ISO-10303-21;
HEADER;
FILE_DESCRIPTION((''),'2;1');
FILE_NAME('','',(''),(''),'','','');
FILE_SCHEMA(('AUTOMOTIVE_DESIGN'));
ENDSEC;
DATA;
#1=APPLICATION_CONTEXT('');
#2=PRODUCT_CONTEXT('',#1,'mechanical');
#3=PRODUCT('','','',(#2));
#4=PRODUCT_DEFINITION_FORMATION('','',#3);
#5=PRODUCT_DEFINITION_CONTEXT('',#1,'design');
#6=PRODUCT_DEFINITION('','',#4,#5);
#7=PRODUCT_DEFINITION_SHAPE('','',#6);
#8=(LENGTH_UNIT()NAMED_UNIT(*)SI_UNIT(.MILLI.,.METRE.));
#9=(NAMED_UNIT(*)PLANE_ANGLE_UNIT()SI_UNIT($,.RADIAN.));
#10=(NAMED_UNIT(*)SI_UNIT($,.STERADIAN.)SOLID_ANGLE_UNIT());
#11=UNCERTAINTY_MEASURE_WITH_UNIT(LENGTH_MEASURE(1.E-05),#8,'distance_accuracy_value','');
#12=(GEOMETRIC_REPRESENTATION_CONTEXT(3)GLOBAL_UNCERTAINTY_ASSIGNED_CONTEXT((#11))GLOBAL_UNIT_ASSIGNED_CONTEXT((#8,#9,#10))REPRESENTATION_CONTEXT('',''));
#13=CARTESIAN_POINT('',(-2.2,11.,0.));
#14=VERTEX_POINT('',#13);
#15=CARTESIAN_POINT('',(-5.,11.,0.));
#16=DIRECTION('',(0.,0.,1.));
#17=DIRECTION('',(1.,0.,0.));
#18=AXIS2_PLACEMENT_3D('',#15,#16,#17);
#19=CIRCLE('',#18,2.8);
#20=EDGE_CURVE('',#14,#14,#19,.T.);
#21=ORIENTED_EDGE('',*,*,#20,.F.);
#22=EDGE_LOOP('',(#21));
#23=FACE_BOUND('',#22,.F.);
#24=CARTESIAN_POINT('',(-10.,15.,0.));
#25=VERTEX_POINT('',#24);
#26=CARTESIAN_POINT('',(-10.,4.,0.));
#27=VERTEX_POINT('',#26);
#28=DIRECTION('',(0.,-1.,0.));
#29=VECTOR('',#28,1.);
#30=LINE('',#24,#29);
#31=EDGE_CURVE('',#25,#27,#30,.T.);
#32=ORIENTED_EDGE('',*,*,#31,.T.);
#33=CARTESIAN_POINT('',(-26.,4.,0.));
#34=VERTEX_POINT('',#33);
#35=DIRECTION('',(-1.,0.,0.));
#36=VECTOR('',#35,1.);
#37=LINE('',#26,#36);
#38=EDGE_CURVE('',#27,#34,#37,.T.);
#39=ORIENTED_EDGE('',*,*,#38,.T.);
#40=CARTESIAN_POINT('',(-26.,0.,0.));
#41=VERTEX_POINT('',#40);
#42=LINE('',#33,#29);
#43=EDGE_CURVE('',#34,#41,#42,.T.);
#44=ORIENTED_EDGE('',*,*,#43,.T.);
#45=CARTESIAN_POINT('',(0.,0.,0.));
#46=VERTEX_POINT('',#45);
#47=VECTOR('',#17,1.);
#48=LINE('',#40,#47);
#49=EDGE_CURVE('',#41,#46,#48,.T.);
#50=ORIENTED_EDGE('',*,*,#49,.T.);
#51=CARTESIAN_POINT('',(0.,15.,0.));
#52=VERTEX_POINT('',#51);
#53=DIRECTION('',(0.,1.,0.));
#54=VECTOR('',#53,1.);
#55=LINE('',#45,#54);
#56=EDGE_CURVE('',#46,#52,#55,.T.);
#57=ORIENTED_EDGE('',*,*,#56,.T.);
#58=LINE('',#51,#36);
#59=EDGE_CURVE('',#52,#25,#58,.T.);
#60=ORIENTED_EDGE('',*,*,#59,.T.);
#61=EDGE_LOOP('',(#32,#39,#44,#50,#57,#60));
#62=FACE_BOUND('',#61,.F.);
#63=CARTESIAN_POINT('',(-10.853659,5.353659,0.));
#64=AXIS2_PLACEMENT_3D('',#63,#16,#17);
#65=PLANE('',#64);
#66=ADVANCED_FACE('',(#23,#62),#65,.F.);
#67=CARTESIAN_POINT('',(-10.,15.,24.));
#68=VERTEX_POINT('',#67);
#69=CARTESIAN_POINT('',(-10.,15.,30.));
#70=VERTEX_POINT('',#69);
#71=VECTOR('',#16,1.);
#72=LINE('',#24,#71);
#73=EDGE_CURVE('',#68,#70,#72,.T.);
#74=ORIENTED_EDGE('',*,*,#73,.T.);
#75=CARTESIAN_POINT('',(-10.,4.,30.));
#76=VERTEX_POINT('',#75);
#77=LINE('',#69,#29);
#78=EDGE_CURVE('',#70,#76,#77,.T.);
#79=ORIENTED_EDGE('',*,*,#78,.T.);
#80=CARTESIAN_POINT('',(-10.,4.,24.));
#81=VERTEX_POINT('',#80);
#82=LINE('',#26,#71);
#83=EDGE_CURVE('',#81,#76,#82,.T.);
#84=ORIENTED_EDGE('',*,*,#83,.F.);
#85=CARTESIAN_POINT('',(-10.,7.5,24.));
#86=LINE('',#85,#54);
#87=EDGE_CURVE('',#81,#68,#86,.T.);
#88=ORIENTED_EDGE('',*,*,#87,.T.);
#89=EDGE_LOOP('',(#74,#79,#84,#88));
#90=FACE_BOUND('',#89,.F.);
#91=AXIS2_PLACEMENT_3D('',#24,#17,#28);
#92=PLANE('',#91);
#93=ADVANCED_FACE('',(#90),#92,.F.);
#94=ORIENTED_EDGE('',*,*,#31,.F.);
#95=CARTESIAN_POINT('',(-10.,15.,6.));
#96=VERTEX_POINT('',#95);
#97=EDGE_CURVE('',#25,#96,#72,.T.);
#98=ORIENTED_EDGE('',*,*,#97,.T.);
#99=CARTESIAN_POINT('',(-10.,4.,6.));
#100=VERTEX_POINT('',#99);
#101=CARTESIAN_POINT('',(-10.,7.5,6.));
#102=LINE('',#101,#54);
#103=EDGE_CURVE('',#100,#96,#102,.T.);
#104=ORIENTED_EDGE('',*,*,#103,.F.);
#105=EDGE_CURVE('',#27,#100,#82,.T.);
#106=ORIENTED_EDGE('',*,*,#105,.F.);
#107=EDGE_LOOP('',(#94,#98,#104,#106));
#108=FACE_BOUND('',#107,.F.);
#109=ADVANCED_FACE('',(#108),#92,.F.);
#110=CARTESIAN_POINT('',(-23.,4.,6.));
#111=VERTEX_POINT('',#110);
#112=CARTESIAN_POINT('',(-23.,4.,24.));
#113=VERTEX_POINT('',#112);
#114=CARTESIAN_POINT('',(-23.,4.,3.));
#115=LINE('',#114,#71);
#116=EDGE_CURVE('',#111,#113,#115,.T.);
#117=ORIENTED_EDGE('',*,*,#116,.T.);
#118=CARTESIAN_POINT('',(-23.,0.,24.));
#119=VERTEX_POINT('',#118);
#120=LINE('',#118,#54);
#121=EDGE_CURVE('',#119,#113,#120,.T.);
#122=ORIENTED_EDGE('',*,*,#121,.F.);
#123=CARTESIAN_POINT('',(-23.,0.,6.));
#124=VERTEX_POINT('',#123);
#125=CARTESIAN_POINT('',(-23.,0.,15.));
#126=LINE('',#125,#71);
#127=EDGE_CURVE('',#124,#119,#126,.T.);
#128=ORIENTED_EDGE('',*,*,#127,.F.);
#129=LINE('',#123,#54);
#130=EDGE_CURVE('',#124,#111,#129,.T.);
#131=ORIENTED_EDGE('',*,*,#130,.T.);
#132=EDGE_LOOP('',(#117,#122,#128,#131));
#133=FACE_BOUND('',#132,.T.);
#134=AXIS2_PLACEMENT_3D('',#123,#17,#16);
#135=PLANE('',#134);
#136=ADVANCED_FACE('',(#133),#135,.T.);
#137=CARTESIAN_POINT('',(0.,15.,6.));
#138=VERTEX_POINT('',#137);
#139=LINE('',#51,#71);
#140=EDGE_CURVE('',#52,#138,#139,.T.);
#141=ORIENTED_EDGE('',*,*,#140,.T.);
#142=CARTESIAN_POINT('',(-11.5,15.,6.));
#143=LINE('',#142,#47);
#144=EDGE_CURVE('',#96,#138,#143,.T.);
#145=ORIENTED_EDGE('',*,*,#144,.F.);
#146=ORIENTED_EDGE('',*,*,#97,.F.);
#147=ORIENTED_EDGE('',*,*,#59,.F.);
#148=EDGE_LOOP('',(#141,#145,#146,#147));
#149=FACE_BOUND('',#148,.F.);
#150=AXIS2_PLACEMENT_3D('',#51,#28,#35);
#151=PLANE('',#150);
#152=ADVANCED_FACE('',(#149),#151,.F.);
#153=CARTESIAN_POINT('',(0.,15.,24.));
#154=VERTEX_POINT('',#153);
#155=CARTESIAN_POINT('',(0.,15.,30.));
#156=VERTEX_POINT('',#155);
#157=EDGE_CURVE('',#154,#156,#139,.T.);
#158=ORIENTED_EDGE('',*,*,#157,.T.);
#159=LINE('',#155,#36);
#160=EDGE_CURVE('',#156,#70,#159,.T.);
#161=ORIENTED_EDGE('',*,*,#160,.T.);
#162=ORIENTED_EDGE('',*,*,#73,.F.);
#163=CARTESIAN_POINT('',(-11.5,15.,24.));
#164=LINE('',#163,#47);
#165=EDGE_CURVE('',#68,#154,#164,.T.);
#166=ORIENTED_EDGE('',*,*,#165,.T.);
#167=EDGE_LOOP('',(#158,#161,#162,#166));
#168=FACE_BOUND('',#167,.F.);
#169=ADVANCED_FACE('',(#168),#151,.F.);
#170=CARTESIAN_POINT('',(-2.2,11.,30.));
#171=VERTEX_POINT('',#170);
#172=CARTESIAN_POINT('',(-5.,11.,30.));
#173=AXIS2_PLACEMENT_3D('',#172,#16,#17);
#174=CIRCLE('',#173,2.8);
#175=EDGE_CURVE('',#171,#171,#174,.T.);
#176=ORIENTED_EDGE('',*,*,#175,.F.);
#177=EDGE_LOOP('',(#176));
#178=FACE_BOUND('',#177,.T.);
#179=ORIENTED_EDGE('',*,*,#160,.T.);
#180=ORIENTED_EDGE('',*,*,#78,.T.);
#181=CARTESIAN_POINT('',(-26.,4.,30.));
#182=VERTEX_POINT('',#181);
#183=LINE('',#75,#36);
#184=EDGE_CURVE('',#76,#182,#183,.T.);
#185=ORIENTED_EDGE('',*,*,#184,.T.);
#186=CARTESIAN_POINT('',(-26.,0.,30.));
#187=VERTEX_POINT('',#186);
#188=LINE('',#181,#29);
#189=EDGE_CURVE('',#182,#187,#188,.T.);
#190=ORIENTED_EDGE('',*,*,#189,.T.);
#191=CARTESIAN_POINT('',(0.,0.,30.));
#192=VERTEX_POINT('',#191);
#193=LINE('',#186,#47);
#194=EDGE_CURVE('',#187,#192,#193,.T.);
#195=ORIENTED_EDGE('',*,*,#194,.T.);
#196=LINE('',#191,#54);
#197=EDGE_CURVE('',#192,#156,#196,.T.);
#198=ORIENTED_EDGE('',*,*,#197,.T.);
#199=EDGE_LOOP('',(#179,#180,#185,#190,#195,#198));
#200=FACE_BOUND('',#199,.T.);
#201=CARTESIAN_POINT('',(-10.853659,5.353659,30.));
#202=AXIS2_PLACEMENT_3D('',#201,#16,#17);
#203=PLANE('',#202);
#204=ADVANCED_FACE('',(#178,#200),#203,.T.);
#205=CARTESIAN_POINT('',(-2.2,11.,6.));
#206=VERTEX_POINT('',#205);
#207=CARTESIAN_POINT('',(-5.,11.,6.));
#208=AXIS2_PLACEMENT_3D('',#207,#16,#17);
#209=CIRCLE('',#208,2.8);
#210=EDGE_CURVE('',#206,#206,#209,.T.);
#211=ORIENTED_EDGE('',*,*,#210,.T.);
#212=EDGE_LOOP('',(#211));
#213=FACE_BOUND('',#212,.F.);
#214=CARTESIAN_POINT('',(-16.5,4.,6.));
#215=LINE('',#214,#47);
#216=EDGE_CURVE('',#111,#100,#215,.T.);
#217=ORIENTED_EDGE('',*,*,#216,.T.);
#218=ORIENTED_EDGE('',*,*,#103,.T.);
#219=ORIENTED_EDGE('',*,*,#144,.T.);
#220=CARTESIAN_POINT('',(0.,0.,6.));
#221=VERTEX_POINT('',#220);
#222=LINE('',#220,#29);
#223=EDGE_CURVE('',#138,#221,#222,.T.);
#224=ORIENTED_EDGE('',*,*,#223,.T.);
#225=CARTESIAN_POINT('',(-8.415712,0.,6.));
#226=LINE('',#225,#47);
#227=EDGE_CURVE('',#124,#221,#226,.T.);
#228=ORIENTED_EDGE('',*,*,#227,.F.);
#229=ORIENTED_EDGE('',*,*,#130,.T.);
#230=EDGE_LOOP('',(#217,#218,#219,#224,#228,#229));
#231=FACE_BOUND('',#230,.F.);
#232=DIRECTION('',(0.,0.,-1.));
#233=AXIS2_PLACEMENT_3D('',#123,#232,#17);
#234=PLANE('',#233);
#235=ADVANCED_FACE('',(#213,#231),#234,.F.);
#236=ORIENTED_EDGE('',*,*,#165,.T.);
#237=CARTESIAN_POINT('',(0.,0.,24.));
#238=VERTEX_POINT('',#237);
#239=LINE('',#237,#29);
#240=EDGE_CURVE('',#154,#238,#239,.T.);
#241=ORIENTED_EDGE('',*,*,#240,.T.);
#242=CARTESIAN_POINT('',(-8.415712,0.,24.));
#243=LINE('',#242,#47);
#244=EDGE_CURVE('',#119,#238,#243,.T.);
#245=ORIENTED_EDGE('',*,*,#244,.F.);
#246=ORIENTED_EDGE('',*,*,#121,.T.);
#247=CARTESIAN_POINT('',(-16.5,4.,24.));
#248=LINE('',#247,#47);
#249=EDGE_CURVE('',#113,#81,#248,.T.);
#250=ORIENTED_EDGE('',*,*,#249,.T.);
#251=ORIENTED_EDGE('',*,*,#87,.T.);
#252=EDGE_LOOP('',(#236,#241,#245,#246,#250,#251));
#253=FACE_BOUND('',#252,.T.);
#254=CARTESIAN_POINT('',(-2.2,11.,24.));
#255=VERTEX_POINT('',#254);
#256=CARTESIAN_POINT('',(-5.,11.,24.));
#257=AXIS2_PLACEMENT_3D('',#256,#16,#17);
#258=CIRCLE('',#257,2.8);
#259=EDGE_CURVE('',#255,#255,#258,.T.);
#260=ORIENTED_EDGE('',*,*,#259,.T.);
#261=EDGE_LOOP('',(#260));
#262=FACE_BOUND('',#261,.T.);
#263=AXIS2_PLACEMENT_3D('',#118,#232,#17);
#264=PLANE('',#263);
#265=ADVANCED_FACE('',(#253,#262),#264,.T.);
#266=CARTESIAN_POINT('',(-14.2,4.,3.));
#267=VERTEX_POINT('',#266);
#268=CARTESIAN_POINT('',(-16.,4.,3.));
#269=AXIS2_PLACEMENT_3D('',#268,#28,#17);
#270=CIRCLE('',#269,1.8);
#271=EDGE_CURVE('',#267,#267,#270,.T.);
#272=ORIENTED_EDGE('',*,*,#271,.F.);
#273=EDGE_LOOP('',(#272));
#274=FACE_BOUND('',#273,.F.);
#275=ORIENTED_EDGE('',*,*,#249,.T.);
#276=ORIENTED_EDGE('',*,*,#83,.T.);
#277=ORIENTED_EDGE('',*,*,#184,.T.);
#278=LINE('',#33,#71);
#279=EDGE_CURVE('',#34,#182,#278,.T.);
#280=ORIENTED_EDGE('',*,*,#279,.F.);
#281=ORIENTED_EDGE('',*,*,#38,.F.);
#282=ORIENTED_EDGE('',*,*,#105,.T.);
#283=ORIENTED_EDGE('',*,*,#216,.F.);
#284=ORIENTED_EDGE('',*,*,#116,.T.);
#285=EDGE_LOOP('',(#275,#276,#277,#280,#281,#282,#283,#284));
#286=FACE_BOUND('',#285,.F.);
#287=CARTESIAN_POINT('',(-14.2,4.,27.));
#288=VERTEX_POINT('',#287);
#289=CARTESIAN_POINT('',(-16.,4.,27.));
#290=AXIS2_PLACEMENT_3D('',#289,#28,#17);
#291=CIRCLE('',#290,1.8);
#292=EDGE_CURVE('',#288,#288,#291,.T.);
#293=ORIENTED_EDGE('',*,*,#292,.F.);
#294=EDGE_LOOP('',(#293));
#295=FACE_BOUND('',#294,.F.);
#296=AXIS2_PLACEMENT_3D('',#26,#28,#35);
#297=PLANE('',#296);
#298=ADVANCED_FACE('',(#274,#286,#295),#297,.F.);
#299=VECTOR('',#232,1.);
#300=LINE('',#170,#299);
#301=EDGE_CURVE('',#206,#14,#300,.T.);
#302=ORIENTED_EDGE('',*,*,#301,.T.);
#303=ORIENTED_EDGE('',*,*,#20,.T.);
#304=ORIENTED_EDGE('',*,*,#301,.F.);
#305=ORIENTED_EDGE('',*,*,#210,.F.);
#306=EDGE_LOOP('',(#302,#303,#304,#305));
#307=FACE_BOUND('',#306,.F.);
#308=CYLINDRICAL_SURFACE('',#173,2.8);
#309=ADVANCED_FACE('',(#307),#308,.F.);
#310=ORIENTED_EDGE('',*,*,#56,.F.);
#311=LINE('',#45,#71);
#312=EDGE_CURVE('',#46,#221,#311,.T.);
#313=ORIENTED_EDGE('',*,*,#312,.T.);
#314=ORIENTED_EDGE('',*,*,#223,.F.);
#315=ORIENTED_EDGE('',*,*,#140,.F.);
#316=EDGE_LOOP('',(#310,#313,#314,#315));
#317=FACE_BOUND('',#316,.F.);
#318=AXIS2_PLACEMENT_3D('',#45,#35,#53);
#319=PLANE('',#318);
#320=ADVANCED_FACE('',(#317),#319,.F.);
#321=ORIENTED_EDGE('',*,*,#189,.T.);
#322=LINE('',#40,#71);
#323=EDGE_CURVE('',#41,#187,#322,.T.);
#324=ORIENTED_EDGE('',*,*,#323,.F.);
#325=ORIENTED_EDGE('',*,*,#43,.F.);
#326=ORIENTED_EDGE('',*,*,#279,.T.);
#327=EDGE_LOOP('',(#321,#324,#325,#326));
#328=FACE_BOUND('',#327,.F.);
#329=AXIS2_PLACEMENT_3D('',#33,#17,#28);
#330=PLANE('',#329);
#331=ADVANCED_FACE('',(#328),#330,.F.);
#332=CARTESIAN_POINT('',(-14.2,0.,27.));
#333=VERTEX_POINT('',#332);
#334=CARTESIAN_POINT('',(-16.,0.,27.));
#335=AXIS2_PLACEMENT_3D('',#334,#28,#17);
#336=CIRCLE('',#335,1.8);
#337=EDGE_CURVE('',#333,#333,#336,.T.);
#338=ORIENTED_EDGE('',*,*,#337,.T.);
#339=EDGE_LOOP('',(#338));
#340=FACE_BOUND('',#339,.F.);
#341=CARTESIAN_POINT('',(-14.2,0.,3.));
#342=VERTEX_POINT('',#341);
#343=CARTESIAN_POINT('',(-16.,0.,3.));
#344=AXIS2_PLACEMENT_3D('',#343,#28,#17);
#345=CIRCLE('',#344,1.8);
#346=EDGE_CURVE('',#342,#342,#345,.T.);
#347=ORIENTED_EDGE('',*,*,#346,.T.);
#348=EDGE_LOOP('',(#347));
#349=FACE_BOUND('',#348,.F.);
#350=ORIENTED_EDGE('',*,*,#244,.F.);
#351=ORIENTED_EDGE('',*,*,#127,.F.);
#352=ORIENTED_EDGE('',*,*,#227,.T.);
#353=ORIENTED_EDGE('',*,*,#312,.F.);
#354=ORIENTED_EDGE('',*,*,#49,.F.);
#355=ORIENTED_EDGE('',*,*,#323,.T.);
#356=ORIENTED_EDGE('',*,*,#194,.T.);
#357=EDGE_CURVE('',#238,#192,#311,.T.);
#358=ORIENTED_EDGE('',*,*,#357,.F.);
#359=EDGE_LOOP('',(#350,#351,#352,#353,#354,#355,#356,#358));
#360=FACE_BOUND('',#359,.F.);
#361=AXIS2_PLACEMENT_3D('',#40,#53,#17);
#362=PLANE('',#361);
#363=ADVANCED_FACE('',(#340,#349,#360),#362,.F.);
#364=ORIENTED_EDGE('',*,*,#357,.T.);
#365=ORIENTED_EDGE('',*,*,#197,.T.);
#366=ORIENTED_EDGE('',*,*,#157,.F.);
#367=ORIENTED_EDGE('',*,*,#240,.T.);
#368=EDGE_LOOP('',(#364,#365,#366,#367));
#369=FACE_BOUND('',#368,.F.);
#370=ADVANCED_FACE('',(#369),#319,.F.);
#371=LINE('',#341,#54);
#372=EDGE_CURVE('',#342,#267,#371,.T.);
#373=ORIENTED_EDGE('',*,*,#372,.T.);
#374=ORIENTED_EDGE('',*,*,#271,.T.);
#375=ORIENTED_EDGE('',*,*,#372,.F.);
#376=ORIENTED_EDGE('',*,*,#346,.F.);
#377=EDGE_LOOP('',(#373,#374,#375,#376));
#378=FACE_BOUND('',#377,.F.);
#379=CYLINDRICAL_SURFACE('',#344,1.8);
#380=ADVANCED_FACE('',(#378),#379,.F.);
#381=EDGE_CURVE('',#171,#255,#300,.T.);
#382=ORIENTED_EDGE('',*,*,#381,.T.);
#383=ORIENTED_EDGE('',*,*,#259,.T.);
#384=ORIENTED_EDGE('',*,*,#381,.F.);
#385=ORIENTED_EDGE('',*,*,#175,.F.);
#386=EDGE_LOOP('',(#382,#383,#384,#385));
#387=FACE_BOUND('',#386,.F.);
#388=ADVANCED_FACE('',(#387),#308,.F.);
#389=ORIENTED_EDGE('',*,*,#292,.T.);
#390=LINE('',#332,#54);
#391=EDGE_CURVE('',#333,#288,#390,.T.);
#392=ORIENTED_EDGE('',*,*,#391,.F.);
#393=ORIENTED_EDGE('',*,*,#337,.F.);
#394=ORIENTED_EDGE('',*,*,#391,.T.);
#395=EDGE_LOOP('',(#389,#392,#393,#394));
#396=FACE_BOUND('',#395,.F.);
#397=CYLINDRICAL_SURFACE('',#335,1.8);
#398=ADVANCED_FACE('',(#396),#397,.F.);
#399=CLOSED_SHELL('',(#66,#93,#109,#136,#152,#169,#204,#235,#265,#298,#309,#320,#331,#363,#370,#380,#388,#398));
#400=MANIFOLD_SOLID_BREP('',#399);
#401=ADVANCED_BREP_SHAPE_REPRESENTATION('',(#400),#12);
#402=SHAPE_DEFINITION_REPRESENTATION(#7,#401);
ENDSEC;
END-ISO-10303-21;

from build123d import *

# Parameters (mm, degrees)
PAD_DEPTH       = 30
SKETCH001_R     = 1.8
SKETCH001_W     = 29.168577
SKETCH001_H     = 18
POCKET_DEPTH    = 15.001
SKETCH002_R     = 2.8
POCKET001_DEPTH = 30.001


with BuildPart() as part:
    # Sketch → Pad (new body)
    with BuildSketch(Plane.XY):
        Polygon((-10, 4), (-26, 4), (-26, 0), (0, 0), (0, 15), (-10, 15), align=None)
    extrude(amount=PAD_DEPTH)

    # Sketch001 → Pocket (cut, through all)
    with BuildSketch(Plane.XZ):
        with Locations((-16, 27)):
            Circle(SKETCH001_R)
        with Locations((-16, 3)):
            Circle(SKETCH001_R)
        with Locations((-8.415712, 15)):
            Rectangle(SKETCH001_W, SKETCH001_H)
    extrude(amount=-POCKET_DEPTH, mode=Mode.SUBTRACT)

    # Sketch002 → Pocket001 (cut, through all)
    with BuildSketch(Plane.XY.offset(30)):
        with Locations((-5, 11)):
            Circle(SKETCH002_R)
    extrude(amount=-POCKET001_DEPTH, mode=Mode.SUBTRACT)


solid = part.part
